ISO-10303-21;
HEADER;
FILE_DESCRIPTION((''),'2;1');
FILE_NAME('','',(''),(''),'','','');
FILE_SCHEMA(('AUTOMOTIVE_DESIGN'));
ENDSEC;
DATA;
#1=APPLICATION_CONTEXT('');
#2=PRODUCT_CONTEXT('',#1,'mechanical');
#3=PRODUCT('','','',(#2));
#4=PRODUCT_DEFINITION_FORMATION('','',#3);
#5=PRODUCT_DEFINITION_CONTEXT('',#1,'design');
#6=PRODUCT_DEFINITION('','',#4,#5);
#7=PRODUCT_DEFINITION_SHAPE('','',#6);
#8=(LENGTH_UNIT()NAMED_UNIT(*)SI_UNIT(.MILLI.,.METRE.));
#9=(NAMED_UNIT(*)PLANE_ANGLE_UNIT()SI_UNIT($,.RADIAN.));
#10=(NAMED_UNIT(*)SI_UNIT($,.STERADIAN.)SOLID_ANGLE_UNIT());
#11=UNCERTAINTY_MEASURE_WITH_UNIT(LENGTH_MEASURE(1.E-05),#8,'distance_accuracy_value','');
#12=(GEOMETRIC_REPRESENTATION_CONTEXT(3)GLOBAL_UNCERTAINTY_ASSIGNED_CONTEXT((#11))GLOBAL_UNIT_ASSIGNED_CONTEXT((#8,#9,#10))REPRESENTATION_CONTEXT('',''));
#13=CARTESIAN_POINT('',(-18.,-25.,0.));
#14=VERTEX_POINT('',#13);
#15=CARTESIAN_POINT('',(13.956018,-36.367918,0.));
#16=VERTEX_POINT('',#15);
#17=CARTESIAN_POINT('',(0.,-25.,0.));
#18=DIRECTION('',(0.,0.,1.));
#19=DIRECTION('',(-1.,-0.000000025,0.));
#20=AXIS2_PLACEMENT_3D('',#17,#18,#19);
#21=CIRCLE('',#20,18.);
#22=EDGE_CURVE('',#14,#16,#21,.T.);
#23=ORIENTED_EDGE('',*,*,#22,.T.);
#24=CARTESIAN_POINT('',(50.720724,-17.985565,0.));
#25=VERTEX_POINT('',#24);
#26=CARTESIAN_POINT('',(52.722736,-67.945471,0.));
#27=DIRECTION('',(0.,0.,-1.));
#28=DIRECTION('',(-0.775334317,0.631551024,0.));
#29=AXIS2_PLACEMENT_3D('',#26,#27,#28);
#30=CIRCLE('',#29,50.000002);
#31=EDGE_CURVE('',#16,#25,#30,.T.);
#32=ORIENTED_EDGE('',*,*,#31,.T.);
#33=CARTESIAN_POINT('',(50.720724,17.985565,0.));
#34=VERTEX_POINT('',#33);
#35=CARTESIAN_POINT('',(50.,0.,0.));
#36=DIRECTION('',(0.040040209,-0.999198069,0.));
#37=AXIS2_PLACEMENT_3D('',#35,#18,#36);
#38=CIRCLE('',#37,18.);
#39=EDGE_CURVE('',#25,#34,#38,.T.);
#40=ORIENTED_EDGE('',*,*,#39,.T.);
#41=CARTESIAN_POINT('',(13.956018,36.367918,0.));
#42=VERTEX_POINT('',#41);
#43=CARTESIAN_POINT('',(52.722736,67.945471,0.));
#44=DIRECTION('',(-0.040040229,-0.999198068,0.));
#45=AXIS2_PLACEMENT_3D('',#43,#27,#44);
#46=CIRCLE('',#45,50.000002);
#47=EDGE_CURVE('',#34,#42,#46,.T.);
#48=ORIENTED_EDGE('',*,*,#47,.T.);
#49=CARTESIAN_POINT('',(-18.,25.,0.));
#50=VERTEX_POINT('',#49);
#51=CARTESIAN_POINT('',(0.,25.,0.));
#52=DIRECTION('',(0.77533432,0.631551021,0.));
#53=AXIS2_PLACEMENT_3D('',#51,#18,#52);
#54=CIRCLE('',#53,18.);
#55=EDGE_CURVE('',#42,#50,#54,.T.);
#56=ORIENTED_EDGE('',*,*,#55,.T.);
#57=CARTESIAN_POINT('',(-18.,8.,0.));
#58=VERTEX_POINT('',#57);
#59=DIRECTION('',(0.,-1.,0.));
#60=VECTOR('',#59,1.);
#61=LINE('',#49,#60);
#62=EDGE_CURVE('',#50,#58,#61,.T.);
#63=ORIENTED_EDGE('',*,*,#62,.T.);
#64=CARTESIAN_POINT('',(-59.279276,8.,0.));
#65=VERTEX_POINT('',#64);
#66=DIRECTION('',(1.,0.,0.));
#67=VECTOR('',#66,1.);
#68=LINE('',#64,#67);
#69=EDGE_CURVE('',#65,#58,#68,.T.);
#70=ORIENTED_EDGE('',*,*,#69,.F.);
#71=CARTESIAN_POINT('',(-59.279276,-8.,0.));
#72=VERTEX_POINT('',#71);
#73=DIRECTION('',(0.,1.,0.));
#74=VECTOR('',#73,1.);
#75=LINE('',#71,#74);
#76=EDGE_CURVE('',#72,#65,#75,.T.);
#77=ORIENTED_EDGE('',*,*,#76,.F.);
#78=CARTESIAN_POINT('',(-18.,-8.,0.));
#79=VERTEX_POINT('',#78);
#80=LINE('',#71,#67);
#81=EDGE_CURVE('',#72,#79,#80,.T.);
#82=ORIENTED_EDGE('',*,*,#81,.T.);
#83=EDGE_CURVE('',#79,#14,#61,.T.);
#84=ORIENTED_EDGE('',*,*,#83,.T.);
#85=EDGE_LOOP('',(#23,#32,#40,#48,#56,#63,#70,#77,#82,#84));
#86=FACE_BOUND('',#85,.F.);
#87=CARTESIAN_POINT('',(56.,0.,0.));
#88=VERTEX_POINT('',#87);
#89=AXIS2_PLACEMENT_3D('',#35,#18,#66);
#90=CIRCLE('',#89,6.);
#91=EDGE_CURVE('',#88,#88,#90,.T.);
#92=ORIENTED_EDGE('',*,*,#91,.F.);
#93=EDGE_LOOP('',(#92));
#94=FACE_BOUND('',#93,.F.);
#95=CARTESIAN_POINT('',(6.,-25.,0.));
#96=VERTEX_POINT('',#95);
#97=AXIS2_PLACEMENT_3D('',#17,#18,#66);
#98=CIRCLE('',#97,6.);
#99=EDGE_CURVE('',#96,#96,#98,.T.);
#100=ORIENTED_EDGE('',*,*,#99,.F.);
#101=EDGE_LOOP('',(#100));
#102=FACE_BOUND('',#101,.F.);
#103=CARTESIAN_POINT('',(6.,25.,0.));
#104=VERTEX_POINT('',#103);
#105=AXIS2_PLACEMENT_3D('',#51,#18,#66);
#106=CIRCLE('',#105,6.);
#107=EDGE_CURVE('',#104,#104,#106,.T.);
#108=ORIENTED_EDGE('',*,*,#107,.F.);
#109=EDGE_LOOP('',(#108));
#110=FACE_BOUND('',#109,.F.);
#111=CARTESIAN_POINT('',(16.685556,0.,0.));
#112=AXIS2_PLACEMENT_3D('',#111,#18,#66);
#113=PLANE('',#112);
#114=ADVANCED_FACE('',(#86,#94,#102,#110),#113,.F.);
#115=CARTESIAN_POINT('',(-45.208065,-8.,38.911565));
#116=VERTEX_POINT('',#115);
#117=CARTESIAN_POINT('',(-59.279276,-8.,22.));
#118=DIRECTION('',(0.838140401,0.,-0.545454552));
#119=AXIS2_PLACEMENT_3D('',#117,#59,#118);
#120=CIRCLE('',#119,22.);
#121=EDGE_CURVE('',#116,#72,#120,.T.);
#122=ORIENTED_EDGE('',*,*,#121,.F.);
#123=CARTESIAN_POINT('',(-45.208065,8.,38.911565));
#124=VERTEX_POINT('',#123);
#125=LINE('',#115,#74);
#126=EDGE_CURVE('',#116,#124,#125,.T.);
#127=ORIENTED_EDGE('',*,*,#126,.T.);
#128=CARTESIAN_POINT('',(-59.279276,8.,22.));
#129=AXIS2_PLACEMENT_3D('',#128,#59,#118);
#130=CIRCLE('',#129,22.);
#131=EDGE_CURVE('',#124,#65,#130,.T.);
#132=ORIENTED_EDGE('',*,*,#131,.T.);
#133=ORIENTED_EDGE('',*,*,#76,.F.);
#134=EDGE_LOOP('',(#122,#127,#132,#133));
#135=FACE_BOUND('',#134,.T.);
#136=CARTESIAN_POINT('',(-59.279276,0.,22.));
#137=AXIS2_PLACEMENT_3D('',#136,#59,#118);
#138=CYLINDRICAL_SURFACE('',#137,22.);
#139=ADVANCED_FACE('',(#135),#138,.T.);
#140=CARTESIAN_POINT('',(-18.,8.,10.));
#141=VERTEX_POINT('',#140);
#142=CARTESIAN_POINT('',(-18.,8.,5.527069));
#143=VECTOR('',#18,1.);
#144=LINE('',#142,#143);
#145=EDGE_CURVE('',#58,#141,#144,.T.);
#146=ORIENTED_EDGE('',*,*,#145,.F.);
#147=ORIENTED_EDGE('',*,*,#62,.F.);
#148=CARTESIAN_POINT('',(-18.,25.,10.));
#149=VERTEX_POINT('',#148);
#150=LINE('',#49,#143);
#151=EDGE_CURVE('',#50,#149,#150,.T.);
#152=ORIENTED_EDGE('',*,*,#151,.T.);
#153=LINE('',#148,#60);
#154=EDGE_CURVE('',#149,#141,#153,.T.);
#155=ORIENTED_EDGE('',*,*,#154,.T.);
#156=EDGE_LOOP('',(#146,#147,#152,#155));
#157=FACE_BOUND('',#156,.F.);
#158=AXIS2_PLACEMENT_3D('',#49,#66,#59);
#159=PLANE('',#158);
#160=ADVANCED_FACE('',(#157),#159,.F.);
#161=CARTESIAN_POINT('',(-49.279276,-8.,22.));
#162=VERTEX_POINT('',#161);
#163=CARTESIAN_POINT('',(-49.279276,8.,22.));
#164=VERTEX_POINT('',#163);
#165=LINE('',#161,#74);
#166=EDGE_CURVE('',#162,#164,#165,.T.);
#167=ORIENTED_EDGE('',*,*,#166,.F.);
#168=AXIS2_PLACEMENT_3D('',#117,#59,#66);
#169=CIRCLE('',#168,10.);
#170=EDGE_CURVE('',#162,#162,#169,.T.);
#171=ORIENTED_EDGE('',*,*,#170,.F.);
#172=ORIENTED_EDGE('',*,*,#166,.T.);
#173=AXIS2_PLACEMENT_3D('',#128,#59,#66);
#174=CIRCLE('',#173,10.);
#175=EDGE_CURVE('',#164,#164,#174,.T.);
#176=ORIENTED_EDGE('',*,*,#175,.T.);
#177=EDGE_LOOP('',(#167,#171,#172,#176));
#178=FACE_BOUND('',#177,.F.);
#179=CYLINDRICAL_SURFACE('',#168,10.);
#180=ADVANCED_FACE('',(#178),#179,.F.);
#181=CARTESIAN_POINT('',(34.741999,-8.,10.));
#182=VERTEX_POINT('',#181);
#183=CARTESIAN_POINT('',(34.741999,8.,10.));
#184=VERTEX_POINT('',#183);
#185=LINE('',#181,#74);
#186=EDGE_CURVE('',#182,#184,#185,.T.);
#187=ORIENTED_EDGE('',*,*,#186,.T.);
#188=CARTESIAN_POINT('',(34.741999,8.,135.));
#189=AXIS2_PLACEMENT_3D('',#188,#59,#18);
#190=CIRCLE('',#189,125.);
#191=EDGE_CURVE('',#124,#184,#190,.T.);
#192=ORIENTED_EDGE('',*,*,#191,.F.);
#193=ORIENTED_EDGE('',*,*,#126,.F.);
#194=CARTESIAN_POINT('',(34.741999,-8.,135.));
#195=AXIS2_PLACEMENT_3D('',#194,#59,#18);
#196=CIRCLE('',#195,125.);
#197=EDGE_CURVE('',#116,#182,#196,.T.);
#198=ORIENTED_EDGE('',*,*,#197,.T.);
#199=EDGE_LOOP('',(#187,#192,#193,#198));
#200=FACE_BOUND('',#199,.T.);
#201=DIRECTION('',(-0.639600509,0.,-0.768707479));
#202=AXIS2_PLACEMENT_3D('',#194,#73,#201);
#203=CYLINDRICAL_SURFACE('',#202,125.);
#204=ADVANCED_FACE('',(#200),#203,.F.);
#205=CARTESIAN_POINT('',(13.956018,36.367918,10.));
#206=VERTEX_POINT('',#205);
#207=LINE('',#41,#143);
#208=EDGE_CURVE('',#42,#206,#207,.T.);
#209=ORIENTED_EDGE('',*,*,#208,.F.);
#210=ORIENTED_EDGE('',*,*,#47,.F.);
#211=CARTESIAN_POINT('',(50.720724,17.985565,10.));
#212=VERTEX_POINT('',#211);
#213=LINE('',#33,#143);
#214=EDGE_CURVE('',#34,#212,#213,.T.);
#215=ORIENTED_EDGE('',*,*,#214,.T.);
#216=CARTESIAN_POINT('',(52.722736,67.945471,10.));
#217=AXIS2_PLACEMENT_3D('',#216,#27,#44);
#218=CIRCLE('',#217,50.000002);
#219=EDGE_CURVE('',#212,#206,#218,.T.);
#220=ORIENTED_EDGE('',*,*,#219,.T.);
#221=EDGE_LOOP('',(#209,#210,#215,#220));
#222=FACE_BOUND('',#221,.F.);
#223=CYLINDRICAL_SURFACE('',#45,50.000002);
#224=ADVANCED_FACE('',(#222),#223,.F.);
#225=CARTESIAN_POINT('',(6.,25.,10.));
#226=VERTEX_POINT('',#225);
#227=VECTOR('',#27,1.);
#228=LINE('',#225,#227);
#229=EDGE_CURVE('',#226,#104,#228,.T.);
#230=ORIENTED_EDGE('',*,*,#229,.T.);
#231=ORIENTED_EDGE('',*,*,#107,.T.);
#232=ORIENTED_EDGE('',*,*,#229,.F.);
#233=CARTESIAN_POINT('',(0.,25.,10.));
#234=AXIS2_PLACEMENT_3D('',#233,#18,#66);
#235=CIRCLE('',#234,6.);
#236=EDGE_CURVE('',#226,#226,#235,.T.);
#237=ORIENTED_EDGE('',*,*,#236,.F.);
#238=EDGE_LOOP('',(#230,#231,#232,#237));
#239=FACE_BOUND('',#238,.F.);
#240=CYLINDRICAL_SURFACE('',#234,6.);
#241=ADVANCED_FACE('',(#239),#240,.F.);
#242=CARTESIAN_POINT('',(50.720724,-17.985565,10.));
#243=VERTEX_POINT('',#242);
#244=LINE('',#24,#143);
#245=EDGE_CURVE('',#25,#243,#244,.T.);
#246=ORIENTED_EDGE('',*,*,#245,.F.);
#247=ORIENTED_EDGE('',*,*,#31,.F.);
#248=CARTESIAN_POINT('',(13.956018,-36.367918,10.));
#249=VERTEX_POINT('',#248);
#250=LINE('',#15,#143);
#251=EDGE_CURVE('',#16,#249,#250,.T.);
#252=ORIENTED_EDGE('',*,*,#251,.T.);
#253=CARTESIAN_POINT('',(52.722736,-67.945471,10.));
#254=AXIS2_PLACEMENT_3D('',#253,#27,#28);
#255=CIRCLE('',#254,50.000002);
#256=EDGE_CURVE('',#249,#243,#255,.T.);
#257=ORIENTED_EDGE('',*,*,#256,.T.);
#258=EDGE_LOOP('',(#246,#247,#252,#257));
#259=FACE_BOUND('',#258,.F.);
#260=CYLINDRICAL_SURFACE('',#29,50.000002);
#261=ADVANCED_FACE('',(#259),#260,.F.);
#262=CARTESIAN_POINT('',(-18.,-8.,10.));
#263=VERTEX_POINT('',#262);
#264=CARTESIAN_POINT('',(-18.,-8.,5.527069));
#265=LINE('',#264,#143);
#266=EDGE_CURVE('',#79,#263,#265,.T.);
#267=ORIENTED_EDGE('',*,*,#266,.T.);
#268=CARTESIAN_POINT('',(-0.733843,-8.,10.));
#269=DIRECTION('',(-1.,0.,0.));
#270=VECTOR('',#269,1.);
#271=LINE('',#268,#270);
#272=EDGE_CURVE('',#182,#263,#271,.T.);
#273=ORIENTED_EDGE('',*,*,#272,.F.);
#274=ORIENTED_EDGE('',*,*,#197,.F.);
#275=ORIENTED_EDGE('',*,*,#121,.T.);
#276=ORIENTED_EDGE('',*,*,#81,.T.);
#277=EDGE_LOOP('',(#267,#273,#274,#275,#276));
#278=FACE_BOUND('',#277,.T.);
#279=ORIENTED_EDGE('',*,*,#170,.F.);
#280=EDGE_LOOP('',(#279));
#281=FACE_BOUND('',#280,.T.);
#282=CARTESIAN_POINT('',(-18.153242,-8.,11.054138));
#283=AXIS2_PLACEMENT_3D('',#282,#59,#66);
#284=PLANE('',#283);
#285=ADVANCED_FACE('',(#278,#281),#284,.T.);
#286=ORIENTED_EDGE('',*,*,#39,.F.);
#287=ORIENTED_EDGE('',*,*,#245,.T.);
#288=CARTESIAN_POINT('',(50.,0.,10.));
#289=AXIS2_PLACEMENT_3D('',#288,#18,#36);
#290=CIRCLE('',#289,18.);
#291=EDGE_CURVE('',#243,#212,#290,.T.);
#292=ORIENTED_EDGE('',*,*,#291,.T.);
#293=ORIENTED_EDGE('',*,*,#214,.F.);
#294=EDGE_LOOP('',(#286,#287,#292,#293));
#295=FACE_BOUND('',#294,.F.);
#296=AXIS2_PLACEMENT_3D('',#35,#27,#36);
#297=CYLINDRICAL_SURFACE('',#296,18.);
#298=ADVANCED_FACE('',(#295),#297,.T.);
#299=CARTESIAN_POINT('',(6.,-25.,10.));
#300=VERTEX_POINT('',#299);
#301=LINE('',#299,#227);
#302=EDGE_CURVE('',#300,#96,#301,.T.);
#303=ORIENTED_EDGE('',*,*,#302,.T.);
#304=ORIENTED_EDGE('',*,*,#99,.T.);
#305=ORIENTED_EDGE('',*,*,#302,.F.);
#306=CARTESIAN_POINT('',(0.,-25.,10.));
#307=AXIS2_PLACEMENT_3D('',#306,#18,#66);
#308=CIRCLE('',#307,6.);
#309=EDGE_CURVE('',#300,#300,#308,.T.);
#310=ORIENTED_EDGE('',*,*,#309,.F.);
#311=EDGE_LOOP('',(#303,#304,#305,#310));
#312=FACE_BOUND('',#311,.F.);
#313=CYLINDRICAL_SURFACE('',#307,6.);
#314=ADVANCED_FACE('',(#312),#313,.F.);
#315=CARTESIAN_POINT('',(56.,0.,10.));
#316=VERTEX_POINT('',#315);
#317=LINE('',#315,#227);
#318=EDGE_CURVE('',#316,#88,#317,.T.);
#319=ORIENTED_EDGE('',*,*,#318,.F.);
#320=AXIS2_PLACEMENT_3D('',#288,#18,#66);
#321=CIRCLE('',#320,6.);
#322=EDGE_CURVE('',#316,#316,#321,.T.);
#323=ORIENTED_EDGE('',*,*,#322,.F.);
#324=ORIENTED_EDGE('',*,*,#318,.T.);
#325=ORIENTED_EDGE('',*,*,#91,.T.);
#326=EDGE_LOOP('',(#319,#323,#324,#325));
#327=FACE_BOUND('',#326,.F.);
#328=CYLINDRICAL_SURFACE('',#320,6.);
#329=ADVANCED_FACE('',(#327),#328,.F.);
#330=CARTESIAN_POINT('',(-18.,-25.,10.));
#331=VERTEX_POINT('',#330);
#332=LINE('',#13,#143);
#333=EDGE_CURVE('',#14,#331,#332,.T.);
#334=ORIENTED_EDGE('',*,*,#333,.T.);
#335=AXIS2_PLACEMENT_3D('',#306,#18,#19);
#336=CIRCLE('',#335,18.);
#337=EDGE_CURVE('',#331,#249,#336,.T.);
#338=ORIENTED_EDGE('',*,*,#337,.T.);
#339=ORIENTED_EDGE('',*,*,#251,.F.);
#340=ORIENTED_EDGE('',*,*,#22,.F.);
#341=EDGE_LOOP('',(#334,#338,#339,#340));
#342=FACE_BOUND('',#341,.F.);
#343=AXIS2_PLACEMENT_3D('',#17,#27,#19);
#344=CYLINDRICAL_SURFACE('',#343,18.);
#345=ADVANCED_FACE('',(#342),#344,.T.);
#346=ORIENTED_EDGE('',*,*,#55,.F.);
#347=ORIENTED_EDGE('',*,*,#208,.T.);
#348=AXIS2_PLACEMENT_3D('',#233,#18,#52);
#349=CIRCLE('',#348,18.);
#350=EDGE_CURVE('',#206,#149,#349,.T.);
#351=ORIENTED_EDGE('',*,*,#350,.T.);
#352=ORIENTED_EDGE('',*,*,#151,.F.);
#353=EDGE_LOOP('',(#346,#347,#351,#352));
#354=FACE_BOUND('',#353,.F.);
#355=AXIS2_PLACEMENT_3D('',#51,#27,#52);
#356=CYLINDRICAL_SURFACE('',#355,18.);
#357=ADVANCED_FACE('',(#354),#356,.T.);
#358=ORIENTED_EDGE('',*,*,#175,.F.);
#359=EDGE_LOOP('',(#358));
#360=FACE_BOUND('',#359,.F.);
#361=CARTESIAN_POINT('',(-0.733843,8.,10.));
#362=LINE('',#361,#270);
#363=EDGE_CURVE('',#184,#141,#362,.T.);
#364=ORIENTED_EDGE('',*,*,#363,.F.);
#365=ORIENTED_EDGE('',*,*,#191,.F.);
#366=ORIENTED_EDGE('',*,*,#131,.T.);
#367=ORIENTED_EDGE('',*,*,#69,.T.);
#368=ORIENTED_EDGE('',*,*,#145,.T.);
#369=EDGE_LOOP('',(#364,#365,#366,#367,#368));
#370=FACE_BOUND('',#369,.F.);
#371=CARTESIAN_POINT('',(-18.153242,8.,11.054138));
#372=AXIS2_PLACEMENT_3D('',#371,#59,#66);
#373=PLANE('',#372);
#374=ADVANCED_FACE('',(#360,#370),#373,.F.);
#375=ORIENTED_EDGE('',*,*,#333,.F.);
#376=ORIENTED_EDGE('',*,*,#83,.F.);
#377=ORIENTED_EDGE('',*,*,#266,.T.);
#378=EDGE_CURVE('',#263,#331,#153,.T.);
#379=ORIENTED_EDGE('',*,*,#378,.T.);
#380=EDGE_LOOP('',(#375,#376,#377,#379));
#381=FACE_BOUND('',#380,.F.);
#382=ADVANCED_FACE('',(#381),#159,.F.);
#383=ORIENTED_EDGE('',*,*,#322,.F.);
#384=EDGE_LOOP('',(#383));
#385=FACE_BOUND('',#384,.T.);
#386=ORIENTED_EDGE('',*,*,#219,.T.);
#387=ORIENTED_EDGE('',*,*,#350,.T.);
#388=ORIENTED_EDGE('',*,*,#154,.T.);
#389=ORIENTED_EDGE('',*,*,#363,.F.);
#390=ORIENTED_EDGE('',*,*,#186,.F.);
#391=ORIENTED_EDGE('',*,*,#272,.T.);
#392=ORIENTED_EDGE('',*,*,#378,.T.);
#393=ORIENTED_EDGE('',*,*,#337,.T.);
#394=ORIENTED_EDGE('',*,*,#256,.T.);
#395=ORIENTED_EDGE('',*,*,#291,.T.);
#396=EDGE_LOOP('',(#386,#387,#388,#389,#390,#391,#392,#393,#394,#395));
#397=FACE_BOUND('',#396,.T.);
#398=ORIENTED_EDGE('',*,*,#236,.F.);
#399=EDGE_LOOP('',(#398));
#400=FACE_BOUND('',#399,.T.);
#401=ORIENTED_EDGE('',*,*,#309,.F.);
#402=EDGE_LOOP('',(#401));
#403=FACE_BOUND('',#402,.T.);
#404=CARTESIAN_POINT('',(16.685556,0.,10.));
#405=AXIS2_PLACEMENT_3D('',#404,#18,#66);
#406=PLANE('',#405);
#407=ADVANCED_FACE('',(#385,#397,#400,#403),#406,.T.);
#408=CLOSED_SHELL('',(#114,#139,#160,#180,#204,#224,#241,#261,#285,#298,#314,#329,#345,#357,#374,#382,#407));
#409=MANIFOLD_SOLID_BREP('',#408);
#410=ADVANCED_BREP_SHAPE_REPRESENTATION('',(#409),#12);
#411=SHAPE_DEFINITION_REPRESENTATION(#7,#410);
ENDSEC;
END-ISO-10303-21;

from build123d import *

# Parameters (mm, degrees)
F1_DEPTH = 10
F3_DEPTH = 8
F4_R     = 125
F6_R     = 6
F7_DEPTH = 25
F8_R     = 10
F9_DEPTH = 25


with BuildPart() as f1:
    # F0 (on Top) → F1 (new body)
    with BuildSketch(Plane.XY):
        with BuildLine():
            ThreePointArc((13.956018, -36.367918), (30.362055, -23.224109), (50.720724, -17.985565))
            ThreePointArc((50.720724, -17.985565), (68, 0), (50.720724, 17.985565))
            ThreePointArc((50.720724, 17.985565), (30.362055, 23.224109), (13.956018, 36.367918))
            ThreePointArc((13.956018, 36.367918), (-6.032896, 41.958896), (-18, 25))
            Line((-18, 25), (-18, -25))
            ThreePointArc((-18, -25), (-6.032896, -41.958896), (13.956018, -36.367918))
        make_face()
    extrude(amount=F1_DEPTH)


with BuildPart() as f3:
    # F2 (on Front) → F3 (new body, symmetric)
    with BuildSketch(Plane.XZ):
        with BuildLine():
            Line((-59.279276, 0), (50.720724, 0))
            Line((50.720724, 0), (50.720724, 10))
            Line((50.720724, 10), (-40.840187, 10))
            ThreePointArc((-40.840187, 10), (-69.767365, 41.33908), (-59.279276, 0))
        make_face()
    extrude(amount=F3_DEPTH, both=True)

    # F4
    f4_edges = [f3.edges().sort_by_distance(p)[0] for p in [
        (-40.840187, 0, 10),
    ]]
    fillet(f4_edges, radius=F4_R)

    # F5: union F1
    add(f1.part)

    # F6 (on face) → F7 (cut)
    with BuildSketch(Plane.XY.offset(10)):
        with Locations((0, 25)):
            Circle(F6_R)
        with Locations((0, -25)):
            Circle(F6_R)
        with Locations((50, 0)):
            Circle(F6_R)
    extrude(amount=-F7_DEPTH, mode=Mode.SUBTRACT)

    # F8 (on face) → F9 (cut)
    with BuildSketch(Plane.XZ.offset(8)):
        with Locations((-59.279276, 22)):
            Circle(F8_R)
    extrude(amount=-F9_DEPTH, mode=Mode.SUBTRACT)


solid = f3.part
